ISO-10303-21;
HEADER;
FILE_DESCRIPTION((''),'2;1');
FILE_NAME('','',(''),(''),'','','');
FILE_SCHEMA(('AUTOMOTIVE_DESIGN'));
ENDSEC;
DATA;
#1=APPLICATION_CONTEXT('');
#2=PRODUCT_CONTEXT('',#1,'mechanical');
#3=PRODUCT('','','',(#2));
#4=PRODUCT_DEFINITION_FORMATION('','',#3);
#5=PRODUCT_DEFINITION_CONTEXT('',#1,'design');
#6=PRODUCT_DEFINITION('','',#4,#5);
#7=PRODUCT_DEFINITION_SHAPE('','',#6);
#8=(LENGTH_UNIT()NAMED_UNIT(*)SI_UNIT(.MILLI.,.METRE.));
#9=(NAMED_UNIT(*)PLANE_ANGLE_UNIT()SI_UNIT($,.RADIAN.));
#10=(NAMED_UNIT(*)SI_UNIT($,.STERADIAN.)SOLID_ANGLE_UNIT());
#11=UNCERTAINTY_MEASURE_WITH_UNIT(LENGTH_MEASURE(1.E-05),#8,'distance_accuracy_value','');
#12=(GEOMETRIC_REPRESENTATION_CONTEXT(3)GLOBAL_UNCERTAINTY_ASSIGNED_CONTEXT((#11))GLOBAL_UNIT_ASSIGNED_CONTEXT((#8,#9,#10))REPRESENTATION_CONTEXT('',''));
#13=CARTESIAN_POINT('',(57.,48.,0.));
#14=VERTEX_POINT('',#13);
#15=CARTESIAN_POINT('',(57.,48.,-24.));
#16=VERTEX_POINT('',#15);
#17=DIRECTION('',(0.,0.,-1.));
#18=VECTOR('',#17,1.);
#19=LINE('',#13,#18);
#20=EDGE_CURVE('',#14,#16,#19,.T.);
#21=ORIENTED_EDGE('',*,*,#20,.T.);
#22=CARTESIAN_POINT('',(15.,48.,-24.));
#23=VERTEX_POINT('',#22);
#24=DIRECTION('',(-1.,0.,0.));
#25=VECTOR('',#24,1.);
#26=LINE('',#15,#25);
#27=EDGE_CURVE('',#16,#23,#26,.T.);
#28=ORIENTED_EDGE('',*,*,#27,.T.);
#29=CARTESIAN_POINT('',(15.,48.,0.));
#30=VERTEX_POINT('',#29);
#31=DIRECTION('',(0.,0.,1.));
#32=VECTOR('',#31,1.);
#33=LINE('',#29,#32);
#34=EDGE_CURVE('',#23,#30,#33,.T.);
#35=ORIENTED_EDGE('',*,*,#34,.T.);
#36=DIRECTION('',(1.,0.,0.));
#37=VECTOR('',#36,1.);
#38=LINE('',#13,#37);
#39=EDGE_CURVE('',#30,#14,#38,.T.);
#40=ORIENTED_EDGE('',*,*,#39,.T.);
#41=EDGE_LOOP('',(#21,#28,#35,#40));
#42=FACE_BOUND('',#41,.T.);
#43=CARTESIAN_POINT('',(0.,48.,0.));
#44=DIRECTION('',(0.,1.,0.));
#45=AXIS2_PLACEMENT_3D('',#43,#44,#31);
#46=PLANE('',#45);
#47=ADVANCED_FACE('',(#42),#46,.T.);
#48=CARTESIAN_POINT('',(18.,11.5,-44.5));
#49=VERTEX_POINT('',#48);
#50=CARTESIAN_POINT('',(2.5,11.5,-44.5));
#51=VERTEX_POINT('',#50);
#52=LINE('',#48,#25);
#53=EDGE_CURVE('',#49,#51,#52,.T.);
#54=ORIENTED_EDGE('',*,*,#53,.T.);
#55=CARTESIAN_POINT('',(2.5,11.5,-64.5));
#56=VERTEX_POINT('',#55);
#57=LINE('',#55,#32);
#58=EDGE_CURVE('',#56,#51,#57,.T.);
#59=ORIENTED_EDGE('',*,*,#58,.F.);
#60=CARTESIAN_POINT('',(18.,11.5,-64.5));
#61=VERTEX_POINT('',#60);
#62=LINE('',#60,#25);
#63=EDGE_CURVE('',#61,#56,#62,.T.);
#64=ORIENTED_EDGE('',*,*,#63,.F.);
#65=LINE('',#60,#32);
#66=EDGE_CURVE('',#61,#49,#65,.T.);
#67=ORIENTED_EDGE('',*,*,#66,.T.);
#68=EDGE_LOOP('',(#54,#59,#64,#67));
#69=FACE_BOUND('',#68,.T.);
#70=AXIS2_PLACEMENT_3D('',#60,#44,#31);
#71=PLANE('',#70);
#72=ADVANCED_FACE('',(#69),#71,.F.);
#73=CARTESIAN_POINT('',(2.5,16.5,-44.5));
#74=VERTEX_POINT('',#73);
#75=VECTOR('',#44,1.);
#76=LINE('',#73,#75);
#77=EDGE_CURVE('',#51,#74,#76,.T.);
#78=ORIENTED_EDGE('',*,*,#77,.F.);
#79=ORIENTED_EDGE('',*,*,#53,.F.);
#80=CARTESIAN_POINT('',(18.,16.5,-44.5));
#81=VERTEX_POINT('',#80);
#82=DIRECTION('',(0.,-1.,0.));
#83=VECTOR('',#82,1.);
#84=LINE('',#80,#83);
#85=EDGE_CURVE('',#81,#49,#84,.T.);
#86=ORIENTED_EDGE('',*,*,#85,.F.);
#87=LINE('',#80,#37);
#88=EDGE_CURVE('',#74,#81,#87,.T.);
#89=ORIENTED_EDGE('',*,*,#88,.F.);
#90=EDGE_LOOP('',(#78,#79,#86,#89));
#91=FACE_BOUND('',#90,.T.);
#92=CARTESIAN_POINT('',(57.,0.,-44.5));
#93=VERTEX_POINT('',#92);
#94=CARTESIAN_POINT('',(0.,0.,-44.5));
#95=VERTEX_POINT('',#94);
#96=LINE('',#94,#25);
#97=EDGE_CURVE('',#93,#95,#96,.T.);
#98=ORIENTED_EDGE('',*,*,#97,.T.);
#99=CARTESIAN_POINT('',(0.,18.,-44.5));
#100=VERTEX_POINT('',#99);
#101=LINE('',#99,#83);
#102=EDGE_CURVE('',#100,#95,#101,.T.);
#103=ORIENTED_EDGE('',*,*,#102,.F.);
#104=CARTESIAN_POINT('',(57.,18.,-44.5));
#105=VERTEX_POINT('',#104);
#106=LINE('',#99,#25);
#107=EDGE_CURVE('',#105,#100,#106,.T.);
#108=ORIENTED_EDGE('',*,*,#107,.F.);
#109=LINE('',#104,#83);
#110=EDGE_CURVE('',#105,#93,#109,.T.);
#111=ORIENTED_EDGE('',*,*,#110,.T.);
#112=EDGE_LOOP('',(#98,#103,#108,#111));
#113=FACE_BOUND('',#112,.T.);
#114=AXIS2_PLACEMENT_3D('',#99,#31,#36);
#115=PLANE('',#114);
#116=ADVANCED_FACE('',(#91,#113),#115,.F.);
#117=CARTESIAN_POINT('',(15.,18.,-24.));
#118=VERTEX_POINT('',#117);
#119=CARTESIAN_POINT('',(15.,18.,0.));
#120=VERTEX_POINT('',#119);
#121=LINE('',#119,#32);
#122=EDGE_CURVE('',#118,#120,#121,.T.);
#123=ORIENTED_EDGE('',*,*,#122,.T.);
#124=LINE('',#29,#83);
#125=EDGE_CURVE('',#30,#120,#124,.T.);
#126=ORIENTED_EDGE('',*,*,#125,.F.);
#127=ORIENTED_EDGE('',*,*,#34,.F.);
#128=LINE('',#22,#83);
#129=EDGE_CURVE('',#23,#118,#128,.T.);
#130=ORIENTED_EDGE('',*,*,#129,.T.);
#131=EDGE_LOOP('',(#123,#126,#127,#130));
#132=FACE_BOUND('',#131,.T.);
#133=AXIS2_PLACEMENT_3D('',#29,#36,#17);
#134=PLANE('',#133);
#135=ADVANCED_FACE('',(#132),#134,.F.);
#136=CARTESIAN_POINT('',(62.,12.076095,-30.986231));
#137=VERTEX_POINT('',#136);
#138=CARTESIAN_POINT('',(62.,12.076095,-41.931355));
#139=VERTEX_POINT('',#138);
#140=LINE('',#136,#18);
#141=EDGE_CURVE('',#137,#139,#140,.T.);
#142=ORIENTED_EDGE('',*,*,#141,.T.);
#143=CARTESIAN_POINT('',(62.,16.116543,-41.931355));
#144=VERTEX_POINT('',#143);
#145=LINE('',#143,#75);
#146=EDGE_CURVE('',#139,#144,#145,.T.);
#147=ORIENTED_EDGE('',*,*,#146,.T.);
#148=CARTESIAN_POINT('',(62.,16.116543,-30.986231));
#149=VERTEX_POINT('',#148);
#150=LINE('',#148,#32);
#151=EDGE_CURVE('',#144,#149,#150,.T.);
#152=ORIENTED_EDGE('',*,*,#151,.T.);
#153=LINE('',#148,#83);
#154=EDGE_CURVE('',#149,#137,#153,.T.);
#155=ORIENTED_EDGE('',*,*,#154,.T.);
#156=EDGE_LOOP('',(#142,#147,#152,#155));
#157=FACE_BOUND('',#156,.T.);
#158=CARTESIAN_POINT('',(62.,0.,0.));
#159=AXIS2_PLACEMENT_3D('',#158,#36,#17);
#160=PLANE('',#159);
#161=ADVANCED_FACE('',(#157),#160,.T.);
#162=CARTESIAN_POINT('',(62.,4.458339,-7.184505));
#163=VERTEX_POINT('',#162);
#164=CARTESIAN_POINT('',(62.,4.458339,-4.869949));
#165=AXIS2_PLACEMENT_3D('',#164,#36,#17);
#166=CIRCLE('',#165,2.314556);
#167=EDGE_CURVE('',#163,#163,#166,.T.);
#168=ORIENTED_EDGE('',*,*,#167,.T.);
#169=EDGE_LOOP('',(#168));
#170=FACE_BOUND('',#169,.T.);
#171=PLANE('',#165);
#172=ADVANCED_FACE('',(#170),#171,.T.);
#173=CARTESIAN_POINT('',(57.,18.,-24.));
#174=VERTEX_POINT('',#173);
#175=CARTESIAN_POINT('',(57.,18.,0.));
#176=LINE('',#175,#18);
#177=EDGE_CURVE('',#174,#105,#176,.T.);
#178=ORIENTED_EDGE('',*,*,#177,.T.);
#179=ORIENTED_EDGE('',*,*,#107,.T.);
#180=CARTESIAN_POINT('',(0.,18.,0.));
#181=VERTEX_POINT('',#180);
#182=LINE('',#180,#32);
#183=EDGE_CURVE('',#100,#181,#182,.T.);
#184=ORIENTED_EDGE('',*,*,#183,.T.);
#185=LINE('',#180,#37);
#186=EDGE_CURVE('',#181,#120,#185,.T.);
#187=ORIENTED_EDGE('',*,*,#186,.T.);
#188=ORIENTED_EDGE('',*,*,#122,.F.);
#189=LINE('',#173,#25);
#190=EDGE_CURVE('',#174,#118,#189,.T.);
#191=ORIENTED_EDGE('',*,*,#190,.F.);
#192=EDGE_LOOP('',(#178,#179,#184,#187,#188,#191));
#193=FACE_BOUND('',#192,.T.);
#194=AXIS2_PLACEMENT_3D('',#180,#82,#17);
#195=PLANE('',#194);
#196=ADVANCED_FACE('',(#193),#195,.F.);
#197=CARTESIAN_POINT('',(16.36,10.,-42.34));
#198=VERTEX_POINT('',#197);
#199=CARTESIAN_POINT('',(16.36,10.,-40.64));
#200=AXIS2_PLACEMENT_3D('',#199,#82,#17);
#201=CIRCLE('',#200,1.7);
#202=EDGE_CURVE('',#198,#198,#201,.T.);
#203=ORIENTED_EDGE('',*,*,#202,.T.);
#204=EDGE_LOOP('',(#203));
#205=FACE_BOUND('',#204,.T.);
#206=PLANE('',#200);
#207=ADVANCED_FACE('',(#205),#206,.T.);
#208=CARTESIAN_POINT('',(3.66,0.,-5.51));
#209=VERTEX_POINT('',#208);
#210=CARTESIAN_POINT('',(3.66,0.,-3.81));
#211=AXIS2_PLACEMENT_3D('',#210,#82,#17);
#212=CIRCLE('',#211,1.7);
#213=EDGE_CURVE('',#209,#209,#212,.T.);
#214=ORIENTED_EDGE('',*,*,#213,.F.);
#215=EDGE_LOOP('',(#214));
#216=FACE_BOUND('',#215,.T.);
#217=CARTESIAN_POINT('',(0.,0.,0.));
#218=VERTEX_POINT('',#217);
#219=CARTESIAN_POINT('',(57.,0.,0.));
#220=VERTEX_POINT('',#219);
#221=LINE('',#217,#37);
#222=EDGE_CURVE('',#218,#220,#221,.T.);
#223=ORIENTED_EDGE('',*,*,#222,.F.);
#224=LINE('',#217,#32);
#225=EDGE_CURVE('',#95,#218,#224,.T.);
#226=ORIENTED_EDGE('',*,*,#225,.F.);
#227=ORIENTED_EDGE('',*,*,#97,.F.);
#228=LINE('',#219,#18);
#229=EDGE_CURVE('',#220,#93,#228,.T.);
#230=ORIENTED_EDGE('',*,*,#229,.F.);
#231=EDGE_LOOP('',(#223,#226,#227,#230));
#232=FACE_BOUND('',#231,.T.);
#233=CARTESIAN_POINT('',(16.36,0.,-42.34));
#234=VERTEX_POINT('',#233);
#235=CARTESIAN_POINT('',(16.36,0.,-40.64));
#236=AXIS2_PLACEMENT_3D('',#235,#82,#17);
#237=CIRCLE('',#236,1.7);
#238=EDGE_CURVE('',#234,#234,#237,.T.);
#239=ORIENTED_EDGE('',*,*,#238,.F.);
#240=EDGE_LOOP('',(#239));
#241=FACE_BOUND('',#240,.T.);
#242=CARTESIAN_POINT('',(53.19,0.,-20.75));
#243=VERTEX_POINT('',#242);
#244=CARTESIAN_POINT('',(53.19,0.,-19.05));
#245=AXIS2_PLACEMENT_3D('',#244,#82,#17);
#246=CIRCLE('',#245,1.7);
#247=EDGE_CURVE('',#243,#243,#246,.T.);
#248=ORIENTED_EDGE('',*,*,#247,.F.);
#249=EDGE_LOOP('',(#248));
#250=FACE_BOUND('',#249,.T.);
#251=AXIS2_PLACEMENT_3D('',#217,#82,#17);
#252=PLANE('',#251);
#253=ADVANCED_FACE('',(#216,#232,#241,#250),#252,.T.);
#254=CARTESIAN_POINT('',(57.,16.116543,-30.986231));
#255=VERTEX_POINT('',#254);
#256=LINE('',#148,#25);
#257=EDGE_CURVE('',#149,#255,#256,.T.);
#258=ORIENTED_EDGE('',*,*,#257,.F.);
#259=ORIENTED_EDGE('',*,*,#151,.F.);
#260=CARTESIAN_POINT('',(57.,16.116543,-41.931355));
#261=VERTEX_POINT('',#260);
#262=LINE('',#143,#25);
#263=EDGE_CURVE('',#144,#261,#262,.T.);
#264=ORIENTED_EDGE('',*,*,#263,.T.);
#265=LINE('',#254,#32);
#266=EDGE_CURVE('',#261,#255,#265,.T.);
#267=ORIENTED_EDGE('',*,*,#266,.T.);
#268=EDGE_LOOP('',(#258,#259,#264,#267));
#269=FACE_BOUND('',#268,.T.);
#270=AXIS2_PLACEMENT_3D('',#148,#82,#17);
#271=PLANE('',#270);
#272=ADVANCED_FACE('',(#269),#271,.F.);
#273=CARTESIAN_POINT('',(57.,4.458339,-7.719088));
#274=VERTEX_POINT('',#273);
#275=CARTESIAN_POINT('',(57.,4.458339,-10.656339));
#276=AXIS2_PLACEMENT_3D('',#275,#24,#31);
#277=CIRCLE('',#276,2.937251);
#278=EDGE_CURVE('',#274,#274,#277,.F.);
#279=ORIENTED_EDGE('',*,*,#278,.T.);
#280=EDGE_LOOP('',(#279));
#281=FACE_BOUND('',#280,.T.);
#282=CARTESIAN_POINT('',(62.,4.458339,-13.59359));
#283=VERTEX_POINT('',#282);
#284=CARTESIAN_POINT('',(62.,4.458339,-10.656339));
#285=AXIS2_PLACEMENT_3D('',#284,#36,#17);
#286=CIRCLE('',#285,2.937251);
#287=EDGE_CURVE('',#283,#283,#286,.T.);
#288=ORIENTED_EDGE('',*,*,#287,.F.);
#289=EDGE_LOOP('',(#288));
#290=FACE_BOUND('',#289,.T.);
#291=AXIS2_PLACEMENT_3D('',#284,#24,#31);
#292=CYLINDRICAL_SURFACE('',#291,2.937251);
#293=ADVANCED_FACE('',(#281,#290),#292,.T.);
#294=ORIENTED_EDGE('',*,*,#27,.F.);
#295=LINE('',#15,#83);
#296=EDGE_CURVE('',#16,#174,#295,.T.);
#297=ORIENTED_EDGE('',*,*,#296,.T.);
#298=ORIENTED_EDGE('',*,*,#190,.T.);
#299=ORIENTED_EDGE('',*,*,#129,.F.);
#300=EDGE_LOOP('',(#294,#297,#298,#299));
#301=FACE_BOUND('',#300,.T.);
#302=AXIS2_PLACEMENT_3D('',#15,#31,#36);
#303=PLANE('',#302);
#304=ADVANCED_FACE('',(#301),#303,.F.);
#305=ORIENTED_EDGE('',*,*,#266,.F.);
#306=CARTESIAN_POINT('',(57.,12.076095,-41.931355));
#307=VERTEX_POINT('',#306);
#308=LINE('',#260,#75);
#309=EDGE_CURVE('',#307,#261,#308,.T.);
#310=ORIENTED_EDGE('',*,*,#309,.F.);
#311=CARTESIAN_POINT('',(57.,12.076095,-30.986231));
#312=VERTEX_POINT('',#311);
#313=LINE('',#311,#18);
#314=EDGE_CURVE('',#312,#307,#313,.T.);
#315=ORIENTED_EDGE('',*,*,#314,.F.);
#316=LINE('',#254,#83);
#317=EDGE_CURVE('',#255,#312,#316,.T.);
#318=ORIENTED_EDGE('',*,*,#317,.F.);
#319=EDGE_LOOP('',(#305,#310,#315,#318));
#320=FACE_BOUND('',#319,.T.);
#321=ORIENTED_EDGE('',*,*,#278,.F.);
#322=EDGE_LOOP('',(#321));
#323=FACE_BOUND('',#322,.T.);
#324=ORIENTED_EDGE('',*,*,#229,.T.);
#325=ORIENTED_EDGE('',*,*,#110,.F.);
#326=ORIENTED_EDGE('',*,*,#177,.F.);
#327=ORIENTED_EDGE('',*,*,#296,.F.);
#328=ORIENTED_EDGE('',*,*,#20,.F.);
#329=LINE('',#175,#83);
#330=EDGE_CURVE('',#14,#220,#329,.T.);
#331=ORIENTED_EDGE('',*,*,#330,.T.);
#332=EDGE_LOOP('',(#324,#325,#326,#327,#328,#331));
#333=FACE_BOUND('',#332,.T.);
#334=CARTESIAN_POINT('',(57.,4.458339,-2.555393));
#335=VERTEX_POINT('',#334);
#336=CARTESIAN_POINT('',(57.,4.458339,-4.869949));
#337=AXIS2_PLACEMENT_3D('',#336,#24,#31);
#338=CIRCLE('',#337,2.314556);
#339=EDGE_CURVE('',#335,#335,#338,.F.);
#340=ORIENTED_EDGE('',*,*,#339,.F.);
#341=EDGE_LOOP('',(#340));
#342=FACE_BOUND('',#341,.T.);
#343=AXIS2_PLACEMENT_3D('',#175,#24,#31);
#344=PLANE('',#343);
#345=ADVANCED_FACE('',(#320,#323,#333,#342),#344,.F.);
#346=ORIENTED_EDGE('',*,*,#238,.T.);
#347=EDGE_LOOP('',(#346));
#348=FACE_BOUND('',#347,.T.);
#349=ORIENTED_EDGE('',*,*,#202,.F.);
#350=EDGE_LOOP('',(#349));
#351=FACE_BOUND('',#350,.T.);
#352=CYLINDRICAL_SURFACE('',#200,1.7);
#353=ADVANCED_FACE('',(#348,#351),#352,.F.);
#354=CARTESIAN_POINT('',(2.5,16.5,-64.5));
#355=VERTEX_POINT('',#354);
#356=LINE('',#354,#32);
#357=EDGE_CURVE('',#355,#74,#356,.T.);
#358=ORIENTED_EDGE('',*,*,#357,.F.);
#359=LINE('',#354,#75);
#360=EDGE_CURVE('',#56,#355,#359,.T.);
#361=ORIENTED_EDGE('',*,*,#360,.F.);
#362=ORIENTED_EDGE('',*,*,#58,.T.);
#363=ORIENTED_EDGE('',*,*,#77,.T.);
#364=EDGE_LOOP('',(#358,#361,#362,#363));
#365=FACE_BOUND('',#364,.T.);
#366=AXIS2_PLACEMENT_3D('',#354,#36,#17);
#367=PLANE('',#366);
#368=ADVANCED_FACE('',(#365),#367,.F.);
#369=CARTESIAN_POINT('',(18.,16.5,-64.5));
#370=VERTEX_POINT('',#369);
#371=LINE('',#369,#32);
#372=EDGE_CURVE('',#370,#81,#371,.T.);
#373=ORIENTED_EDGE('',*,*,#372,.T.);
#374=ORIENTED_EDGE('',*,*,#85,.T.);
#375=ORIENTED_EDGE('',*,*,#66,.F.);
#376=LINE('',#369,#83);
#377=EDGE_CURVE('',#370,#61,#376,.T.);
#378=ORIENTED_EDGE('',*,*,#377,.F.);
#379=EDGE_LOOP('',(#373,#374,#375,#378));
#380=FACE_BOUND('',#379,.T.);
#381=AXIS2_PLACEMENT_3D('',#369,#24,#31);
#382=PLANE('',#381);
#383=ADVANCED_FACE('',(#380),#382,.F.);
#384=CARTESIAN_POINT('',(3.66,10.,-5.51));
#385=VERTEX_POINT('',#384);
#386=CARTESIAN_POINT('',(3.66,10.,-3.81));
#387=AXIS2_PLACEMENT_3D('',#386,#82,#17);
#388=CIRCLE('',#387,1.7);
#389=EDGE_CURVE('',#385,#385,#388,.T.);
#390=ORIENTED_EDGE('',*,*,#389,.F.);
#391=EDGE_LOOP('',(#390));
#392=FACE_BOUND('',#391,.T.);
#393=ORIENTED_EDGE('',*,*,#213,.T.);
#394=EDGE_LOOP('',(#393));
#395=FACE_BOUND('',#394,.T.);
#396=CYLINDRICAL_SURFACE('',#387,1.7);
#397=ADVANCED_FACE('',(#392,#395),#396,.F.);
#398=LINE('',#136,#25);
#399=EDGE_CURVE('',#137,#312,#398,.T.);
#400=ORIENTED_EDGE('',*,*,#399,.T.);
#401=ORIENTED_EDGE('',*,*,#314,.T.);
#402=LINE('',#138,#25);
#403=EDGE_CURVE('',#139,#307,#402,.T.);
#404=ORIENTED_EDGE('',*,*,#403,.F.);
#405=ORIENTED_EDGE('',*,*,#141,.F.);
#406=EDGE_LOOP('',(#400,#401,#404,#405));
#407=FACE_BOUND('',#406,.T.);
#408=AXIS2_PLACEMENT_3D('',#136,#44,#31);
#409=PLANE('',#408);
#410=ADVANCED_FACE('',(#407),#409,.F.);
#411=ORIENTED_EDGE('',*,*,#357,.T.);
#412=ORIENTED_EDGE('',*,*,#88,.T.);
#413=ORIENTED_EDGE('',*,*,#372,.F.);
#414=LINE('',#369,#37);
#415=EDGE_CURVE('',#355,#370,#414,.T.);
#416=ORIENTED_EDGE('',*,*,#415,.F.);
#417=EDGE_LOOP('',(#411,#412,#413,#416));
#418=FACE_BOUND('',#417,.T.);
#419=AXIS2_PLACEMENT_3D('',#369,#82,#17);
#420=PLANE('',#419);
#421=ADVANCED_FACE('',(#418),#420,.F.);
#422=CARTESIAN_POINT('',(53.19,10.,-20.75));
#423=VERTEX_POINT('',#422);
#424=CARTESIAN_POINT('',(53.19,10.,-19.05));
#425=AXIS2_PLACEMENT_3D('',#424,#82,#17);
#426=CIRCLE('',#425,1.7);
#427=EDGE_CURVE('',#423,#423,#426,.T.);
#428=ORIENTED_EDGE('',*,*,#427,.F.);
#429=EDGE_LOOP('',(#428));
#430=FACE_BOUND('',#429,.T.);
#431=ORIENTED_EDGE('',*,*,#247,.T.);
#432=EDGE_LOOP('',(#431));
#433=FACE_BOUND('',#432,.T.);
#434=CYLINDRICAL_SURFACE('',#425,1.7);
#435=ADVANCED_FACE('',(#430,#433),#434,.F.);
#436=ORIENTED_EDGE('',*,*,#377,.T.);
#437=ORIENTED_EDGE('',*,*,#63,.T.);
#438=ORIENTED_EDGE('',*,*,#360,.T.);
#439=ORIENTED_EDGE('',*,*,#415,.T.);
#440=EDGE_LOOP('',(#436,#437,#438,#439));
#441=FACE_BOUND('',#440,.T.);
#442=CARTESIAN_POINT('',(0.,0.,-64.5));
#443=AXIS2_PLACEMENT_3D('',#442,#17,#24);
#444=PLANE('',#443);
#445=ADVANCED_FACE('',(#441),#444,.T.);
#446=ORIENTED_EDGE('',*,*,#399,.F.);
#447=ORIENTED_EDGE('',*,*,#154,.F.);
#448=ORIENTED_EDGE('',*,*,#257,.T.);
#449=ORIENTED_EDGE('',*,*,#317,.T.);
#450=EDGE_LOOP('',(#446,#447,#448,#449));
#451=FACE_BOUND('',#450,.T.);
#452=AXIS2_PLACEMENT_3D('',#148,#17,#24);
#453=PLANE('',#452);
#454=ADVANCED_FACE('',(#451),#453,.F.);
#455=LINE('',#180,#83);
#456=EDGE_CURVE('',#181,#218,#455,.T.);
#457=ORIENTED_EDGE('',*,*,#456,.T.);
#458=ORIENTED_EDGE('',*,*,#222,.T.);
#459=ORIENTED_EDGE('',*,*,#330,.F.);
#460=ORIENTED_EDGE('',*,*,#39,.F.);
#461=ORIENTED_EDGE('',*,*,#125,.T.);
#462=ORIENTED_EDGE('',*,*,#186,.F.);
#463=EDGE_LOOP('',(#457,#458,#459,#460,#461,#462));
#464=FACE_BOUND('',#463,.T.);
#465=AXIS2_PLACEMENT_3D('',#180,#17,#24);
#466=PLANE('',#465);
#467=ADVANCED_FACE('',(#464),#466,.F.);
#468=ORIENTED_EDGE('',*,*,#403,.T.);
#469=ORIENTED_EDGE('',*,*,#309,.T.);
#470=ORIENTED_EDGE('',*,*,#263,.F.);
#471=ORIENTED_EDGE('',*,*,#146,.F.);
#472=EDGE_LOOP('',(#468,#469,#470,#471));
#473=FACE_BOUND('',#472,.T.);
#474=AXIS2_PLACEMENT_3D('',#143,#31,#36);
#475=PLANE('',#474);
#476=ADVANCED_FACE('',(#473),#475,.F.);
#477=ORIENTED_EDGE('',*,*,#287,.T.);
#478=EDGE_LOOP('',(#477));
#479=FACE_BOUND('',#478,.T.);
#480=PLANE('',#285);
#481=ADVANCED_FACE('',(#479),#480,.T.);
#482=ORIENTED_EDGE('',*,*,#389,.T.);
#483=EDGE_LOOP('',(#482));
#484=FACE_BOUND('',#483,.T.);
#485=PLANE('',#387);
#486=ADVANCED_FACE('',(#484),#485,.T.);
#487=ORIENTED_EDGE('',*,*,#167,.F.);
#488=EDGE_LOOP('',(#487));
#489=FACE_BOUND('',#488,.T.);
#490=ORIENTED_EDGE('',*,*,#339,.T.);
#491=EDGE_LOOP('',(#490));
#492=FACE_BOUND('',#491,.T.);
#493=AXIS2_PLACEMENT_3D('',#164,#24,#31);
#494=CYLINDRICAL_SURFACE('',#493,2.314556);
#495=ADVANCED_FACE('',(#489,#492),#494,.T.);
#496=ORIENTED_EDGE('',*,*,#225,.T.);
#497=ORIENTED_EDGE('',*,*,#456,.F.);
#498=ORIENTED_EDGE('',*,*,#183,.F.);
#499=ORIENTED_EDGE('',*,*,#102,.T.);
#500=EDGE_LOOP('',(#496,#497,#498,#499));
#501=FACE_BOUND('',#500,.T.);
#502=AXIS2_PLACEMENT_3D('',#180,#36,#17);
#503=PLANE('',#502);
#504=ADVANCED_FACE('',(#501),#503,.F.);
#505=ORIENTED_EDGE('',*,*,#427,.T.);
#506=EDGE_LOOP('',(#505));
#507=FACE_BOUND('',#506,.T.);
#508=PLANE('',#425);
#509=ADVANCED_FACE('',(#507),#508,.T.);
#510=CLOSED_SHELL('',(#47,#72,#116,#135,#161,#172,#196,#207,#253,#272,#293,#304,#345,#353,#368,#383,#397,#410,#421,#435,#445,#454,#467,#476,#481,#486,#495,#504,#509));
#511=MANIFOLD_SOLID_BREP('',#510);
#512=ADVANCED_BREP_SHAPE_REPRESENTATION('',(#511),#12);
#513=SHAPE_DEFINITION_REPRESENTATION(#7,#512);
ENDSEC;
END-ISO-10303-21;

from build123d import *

# Parameters (mm, degrees)
SKETCH1_W           = 57
SKETCH1_H           = 44.5
BOSS_EXTRUDE1_DEPTH = 18
SKETCH2_R           = 2.314555985
SKETCH2_R_2         = 2.937250919
SKETCH2_W           = 10.945123542
SKETCH2_H           = 4.040448377
BOSS_EXTRUDE2_DEPTH = 5
SKETCH3_W           = 42
SKETCH3_H           = 24
BOSS_EXTRUDE3_DEPTH = 30
SKETCH4_W           = 15.5
SKETCH4_H           = 5
BOSS_EXTRUDE4_DEPTH = 20
SKETCH5_R           = 1.7
CUT_EXTRUDE1_DEPTH  = 10


with BuildPart() as part:
    # Sketch1 → Boss-Extrude1 (new body)
    with BuildSketch(Plane(origin=(0, 0, 0), x_dir=(1, 0, 0), z_dir=(0, 1, 0))):
        with Locations((28.5, 22.25)):
            Rectangle(SKETCH1_W, SKETCH1_H)
    extrude(amount=BOSS_EXTRUDE1_DEPTH)

    # Sketch2 → Boss-Extrude2 (add)
    with BuildSketch(Plane(origin=(57, 0, 0), x_dir=(0, 0, -1), z_dir=(1, 0, 0))):
        with Locations(Location((4.869948731, 4.458338777, 0), (0, 0, 180))):
            Circle(SKETCH2_R)
        with Locations(Location((10.656338694, 4.458338777, 0), (0, 0, 180))):
            Circle(SKETCH2_R_2)
        with Locations((36.458792801, 14.096318992)):
            Rectangle(SKETCH2_W, SKETCH2_H)
    extrude(amount=BOSS_EXTRUDE2_DEPTH)

    # Sketch3 → Boss-Extrude3 (add)
    with BuildSketch(Plane(origin=(0, 18, 0), x_dir=(1, 0, 0), z_dir=(0, 1, 0))):
        with Locations((36, 12)):
            Rectangle(SKETCH3_W, SKETCH3_H)
    extrude(amount=BOSS_EXTRUDE3_DEPTH)

    # Sketch4 → Boss-Extrude4 (add)
    with BuildSketch(Plane(origin=(0, 0, -44.5), x_dir=(-1, 0, 0), z_dir=(0, 0, -1))):
        with Locations((-10.25, 14)):
            Rectangle(SKETCH4_W, SKETCH4_H)
    extrude(amount=BOSS_EXTRUDE4_DEPTH)

    # Sketch5 → Cut-Extrude1 (cut)
    with BuildSketch(Plane.XZ):
        with Locations(Location((3.66, -3.81, 0), (0, 0, 270))):
            Circle(SKETCH5_R)
        with Locations(Location((16.36, -40.64, 0), (0, 0, 270))):
            Circle(SKETCH5_R)
        with Locations(Location((53.19, -19.05, 0), (0, 0, 270))):
            Circle(SKETCH5_R)
    extrude(amount=-CUT_EXTRUDE1_DEPTH, mode=Mode.SUBTRACT)


solid = part.part
